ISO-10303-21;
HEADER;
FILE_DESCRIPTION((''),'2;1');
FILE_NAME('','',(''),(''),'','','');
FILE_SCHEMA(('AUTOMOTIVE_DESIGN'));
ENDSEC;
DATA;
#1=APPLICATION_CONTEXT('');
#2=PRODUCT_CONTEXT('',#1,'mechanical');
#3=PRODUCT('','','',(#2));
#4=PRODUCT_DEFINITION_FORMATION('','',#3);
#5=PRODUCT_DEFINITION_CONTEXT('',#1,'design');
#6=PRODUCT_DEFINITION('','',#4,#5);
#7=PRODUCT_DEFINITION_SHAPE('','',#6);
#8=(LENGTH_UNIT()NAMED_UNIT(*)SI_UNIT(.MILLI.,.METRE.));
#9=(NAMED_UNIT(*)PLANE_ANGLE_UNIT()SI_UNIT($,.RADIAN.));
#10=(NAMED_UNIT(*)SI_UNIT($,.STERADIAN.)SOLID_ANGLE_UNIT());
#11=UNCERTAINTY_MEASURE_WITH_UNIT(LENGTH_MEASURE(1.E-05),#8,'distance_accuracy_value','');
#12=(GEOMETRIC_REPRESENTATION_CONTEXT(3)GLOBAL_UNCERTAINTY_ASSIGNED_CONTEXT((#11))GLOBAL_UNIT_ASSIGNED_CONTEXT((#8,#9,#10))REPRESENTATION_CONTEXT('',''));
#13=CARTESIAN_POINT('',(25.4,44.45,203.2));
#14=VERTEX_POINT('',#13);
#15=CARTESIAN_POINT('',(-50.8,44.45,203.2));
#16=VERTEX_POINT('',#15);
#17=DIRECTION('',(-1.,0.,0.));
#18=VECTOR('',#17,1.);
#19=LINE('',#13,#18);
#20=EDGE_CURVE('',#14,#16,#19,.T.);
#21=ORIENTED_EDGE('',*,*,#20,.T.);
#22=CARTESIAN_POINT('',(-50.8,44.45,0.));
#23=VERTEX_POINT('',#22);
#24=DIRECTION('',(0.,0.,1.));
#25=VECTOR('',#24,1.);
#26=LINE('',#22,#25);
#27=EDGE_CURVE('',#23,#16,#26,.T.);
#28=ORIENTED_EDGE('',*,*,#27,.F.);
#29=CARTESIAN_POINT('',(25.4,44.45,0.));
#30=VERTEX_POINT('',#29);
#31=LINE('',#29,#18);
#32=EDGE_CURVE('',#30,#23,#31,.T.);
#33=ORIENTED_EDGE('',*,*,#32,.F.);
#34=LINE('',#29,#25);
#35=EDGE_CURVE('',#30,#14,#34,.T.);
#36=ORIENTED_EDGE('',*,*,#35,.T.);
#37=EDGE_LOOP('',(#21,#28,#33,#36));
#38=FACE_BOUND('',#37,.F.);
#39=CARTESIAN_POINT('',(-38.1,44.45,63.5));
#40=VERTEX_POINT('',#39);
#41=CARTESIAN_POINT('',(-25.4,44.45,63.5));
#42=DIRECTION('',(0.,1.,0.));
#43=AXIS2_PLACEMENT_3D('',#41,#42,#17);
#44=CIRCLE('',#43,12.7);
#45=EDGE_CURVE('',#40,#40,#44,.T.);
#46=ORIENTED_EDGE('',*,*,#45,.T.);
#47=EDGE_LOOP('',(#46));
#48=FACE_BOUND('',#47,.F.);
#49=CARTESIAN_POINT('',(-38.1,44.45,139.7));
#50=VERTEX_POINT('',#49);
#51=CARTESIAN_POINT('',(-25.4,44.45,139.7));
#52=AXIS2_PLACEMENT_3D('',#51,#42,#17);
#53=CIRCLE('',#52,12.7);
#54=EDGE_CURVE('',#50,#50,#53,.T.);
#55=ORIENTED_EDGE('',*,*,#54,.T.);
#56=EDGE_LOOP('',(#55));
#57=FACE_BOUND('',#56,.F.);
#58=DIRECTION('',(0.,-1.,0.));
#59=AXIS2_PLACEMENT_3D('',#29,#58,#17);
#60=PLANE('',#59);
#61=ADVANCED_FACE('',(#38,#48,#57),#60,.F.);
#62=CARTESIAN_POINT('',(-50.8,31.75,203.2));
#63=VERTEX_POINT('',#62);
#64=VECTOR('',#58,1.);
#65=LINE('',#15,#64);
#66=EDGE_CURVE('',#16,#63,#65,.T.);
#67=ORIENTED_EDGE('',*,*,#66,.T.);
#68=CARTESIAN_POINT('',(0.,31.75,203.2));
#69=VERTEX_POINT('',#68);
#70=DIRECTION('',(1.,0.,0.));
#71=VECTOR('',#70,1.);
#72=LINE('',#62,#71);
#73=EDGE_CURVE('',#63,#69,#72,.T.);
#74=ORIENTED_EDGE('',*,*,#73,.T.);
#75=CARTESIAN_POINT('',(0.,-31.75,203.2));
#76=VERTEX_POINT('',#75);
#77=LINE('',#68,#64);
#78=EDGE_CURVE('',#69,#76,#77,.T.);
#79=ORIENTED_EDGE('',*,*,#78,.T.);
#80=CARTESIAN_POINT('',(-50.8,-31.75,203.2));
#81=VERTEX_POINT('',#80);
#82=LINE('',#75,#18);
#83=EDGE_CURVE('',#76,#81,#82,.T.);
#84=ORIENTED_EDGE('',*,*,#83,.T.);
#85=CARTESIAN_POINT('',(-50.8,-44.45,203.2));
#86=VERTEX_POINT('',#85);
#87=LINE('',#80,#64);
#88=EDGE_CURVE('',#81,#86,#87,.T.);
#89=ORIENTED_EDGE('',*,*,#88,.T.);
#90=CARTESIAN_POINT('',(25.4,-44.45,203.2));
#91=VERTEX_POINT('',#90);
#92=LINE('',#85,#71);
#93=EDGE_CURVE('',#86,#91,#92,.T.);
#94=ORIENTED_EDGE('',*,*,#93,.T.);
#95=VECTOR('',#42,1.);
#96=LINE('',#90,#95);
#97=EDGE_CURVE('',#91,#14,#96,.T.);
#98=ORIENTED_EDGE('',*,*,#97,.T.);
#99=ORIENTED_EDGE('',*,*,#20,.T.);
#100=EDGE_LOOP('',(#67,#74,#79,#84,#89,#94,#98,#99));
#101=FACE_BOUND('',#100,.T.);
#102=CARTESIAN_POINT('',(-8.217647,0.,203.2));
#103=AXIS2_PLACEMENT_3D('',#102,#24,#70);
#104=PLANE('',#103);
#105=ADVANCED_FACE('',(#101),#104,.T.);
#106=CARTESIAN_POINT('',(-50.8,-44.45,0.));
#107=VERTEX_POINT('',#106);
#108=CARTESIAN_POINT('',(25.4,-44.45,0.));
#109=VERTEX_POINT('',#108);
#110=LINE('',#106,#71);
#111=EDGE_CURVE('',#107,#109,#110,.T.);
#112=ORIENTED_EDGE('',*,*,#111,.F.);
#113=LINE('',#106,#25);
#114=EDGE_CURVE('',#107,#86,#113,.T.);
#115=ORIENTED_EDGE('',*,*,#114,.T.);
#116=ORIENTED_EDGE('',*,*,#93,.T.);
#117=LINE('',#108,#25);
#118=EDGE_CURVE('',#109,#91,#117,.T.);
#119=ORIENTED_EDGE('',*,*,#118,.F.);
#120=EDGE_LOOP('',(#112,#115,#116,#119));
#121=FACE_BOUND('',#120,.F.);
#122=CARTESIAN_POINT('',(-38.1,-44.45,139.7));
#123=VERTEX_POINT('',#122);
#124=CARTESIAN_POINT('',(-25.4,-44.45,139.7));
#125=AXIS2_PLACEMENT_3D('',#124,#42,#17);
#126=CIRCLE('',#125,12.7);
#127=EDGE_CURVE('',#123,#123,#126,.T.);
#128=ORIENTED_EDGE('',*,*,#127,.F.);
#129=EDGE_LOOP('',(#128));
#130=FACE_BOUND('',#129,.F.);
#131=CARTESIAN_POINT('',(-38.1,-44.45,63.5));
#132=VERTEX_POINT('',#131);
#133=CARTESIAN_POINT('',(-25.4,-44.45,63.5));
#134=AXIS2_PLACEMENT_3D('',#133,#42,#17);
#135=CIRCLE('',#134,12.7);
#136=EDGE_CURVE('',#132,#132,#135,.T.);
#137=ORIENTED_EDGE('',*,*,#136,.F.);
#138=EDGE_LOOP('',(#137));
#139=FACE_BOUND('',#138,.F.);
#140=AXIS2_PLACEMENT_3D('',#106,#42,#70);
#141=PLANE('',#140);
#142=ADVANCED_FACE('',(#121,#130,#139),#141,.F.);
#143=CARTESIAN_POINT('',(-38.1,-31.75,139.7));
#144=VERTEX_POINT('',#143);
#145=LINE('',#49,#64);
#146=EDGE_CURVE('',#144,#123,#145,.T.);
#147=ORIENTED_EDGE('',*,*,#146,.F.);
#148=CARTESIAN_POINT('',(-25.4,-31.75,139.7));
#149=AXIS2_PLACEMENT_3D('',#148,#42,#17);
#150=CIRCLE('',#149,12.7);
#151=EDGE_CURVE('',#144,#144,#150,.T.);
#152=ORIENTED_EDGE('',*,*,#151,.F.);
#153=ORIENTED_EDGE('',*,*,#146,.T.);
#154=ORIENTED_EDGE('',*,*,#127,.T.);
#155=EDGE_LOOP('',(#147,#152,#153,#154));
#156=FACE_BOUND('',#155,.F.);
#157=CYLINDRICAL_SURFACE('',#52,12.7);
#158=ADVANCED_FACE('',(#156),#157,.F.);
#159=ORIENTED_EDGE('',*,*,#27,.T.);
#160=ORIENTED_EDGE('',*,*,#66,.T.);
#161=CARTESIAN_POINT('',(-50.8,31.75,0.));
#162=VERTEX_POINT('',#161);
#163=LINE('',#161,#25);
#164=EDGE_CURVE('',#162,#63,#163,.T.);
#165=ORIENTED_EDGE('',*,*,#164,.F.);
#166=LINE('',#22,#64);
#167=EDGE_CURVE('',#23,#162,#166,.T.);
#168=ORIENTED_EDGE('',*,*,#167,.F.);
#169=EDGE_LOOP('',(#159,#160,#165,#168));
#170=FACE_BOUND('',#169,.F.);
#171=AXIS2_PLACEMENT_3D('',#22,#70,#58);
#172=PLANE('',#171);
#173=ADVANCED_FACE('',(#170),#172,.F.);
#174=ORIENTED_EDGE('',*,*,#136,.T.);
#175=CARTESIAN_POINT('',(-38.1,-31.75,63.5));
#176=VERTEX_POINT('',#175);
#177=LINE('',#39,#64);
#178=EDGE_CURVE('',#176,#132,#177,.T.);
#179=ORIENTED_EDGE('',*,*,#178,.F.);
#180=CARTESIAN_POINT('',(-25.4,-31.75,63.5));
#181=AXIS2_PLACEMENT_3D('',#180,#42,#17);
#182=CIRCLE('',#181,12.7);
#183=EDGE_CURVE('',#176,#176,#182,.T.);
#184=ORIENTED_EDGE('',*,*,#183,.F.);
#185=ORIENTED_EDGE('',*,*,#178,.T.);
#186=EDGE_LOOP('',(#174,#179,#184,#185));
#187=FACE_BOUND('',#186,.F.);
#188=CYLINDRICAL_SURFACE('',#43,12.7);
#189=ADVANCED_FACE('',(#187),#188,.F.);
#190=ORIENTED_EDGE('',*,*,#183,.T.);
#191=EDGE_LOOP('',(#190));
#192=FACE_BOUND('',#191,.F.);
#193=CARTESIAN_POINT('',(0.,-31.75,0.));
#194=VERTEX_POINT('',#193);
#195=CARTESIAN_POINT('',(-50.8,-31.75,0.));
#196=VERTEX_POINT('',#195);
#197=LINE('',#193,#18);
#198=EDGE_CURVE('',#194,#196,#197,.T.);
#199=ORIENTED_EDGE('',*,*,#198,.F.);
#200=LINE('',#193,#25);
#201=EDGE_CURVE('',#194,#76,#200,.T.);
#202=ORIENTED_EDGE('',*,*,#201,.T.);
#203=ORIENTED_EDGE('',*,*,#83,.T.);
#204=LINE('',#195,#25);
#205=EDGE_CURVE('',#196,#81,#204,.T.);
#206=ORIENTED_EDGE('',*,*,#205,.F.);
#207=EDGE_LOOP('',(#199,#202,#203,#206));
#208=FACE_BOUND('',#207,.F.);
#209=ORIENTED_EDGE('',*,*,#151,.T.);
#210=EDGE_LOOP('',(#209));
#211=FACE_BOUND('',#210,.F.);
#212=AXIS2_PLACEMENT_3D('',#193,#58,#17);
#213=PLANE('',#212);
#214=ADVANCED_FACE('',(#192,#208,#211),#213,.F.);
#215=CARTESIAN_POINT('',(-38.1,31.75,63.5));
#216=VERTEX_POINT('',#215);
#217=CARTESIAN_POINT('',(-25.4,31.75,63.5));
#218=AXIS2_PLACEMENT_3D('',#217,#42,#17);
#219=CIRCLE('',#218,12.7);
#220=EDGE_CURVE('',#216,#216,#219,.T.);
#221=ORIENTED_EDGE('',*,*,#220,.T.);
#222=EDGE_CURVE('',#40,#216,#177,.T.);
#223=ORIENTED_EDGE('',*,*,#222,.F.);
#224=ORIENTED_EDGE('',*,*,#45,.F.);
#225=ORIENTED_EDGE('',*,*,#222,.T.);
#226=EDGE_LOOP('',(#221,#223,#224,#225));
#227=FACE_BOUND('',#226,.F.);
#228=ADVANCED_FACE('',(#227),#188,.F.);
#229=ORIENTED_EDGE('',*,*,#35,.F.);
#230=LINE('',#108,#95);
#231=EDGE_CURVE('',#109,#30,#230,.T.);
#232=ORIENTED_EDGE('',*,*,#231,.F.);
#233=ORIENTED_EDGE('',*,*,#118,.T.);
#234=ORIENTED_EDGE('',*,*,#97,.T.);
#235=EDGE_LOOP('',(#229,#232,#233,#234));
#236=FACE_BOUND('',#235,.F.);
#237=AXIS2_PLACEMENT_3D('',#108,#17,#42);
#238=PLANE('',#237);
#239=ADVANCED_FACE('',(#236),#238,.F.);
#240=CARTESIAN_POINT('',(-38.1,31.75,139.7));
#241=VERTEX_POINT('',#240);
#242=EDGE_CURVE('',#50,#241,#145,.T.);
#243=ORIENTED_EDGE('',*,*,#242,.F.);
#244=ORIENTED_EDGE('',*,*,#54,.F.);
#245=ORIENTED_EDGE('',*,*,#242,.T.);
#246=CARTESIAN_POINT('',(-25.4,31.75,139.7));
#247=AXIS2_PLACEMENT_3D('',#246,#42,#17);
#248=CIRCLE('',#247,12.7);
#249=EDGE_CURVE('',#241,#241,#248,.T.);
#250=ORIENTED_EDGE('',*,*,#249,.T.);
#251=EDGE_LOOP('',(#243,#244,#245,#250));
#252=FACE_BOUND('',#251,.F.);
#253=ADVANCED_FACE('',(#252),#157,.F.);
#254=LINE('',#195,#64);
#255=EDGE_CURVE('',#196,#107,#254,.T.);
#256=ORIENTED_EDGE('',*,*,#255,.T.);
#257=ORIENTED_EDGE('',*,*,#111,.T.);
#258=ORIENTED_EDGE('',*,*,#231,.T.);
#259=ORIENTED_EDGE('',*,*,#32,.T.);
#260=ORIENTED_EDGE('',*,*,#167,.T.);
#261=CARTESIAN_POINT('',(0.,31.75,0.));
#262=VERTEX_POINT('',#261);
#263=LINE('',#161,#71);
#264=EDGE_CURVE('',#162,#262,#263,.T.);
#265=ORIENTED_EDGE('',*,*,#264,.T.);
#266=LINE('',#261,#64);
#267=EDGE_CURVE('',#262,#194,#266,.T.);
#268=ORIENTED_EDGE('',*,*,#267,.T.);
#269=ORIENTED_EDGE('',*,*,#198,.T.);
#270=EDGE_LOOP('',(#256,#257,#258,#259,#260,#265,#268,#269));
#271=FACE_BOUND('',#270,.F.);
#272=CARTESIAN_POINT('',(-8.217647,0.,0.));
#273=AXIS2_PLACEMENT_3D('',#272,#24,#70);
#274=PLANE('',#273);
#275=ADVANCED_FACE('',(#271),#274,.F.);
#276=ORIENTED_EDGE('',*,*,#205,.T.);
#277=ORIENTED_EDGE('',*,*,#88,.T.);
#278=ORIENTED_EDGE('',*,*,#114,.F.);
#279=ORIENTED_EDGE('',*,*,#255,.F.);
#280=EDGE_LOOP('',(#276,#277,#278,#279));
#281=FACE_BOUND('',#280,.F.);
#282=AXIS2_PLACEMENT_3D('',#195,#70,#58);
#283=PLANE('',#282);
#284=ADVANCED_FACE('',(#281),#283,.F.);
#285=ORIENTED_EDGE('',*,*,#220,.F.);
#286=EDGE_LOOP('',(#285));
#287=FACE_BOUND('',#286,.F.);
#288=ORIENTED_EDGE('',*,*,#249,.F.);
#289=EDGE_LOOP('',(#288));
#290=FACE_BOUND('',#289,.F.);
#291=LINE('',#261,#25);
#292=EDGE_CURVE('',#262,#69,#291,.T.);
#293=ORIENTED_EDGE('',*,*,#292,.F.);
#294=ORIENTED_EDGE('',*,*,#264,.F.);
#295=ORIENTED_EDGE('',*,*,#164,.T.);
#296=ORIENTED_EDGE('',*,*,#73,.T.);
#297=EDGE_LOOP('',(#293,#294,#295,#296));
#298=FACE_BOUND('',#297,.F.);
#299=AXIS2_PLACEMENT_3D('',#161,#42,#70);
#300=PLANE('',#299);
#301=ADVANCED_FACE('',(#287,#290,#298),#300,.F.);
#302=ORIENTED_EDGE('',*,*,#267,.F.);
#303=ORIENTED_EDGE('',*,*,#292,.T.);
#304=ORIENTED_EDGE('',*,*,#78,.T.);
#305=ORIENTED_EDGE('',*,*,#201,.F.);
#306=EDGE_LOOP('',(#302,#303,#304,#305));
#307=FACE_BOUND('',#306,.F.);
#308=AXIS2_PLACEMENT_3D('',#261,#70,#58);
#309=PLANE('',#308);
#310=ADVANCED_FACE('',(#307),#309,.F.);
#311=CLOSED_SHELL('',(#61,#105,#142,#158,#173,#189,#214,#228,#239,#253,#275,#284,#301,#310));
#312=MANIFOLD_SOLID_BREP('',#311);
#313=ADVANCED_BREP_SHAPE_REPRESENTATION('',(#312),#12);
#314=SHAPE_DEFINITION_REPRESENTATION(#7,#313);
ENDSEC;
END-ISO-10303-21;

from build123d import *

# Parameters (mm, degrees)
F1_DEPTH = 203.2
F2_R     = 12.7
F3_DEPTH = 88.901


with BuildPart() as f1:
    # F0 (on Top) → F1 (new body)
    with BuildSketch(Plane.XY):
        Polygon((25.4, 44.45), (-50.8, 44.45), (-50.8, 31.75), (0, 31.75), (0, -31.75), (-50.8, -31.75), (-50.8, -44.45), (25.4, -44.45), align=None)
    extrude(amount=F1_DEPTH)

    # F2 (on face) → F3 (cut, through all)
    with BuildSketch(Plane(origin=(0, 44.45, 0), x_dir=(-1, 0, 0), z_dir=(0, 1, 0))):
        with Locations((25.4, 139.7)):
            Circle(F2_R)
        with Locations((25.4, 63.5)):
            Circle(F2_R)
    extrude(amount=-F3_DEPTH, mode=Mode.SUBTRACT)


solid = f1.part
